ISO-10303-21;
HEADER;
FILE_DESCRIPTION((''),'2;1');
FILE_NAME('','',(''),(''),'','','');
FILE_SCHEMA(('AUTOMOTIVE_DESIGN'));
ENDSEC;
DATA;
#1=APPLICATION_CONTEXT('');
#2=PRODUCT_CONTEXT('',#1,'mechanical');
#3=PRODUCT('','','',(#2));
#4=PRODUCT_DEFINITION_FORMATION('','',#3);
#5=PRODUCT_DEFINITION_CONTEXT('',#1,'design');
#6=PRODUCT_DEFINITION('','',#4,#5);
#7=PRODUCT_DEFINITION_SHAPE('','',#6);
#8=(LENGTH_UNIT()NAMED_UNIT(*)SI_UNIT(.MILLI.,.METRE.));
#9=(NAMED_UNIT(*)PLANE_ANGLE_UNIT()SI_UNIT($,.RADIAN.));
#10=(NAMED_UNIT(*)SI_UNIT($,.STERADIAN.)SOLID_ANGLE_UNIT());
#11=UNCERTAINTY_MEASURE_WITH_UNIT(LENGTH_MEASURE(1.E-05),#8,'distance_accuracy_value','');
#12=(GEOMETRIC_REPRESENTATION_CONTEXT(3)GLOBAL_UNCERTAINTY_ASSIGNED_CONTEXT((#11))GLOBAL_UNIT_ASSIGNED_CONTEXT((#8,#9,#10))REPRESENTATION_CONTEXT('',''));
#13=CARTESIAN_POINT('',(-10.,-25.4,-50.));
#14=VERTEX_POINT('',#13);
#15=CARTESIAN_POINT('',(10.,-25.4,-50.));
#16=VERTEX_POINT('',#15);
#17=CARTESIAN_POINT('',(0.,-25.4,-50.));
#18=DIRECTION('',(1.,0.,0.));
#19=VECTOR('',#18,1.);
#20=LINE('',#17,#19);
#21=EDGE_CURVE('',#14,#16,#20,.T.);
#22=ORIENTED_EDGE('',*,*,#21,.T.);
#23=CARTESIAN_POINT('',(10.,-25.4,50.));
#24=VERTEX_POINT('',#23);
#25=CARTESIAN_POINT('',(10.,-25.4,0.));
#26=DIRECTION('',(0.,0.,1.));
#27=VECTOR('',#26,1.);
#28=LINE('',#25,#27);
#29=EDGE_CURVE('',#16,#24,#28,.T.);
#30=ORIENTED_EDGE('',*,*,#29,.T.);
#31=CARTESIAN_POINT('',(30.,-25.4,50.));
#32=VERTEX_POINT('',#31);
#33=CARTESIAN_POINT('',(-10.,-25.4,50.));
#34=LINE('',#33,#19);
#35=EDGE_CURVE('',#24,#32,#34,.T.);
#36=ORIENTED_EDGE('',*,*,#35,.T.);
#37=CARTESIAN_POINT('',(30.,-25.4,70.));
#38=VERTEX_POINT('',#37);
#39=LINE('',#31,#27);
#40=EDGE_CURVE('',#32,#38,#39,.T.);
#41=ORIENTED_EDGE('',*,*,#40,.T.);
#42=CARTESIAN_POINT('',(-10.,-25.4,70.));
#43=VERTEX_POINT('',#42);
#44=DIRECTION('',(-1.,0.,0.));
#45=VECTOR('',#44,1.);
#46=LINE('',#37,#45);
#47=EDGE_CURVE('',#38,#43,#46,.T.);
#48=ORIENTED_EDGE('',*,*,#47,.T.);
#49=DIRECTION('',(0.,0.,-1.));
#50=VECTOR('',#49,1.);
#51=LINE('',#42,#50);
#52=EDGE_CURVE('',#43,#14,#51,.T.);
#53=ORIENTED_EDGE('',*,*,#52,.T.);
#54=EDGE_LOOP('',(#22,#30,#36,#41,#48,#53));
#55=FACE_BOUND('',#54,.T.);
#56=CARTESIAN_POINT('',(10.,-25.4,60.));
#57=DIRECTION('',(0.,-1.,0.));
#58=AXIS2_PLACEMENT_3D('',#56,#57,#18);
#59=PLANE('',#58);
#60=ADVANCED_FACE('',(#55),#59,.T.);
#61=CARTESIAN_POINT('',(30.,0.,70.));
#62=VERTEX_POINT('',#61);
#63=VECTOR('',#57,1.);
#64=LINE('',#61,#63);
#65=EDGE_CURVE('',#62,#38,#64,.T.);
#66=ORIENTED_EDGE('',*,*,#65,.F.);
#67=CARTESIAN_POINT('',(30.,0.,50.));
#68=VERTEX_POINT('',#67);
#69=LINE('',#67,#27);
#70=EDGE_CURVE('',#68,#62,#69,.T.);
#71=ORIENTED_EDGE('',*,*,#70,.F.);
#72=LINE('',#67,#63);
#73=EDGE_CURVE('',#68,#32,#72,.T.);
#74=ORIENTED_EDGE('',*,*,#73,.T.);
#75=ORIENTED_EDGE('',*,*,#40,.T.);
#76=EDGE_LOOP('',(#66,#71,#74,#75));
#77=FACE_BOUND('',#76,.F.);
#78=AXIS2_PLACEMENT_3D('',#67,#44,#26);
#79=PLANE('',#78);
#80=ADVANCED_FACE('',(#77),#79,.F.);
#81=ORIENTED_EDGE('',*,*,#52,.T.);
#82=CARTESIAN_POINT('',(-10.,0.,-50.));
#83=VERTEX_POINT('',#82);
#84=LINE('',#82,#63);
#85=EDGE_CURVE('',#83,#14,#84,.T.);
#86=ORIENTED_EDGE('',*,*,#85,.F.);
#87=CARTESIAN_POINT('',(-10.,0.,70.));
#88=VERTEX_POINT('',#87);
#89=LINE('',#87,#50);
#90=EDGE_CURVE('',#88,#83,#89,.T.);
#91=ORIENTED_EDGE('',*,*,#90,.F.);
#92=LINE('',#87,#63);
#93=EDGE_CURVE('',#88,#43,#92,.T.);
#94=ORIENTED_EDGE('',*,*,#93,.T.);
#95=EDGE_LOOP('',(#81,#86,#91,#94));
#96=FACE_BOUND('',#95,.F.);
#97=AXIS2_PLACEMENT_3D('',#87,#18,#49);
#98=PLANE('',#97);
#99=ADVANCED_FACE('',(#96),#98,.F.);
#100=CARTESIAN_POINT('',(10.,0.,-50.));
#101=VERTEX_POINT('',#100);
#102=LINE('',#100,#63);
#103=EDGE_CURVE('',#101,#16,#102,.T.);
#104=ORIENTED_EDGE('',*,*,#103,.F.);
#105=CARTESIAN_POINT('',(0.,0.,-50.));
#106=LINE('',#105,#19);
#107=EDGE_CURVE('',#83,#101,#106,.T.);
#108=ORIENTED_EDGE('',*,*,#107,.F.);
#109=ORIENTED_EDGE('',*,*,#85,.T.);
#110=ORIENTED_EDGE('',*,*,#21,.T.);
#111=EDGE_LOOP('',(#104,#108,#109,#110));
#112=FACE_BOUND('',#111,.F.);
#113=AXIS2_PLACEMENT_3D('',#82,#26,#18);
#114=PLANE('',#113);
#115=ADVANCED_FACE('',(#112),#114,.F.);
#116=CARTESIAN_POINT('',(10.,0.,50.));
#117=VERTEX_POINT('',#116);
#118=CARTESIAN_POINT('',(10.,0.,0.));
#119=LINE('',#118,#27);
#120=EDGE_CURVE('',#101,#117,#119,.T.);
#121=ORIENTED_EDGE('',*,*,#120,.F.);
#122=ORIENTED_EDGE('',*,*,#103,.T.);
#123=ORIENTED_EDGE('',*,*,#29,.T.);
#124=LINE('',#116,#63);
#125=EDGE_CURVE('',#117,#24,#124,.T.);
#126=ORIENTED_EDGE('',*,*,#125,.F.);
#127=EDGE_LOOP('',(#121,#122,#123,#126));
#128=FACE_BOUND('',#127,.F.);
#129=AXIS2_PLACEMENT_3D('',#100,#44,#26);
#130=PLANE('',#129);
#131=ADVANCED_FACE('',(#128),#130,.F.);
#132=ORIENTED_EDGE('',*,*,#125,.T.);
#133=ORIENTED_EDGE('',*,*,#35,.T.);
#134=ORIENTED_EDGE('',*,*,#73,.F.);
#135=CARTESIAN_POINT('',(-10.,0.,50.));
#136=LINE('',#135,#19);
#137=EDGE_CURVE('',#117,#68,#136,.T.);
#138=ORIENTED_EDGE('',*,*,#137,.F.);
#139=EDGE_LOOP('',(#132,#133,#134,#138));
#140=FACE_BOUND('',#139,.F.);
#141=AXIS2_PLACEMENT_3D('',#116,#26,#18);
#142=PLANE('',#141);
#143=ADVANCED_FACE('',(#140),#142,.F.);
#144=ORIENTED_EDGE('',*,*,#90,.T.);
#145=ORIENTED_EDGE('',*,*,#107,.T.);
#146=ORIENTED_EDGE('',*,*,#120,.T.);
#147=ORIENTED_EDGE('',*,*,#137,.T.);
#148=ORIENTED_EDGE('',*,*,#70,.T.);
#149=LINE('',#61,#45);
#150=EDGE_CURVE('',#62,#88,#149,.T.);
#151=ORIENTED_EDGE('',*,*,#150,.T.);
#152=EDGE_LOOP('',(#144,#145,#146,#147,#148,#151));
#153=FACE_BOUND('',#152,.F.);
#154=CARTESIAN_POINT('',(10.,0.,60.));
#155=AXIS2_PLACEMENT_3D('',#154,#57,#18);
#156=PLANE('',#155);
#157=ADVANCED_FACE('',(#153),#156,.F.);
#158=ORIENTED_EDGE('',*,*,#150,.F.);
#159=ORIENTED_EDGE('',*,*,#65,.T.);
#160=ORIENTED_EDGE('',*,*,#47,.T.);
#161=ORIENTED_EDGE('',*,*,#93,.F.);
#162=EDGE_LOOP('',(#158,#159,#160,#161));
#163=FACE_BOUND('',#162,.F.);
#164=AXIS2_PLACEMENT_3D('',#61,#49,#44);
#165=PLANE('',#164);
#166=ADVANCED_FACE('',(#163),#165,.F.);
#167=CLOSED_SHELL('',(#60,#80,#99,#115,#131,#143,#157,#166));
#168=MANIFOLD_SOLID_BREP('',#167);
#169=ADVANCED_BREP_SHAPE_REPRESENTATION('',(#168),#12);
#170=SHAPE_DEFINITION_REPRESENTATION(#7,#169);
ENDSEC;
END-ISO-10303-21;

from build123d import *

# Parameters (mm, degrees)
F0_W     = 20
F0_H     = 100
F1_DEPTH = 25.4


with BuildPart() as f1:
    # F0 (on Front) → F1 (new body)
    with BuildSketch(Plane.XZ):
        Polygon((-10, 70), (-10, 50), (10, 50), (30, 50), (30, 70), align=None)
        Rectangle(F0_W, F0_H)
    extrude(amount=F1_DEPTH)


solid = f1.part
